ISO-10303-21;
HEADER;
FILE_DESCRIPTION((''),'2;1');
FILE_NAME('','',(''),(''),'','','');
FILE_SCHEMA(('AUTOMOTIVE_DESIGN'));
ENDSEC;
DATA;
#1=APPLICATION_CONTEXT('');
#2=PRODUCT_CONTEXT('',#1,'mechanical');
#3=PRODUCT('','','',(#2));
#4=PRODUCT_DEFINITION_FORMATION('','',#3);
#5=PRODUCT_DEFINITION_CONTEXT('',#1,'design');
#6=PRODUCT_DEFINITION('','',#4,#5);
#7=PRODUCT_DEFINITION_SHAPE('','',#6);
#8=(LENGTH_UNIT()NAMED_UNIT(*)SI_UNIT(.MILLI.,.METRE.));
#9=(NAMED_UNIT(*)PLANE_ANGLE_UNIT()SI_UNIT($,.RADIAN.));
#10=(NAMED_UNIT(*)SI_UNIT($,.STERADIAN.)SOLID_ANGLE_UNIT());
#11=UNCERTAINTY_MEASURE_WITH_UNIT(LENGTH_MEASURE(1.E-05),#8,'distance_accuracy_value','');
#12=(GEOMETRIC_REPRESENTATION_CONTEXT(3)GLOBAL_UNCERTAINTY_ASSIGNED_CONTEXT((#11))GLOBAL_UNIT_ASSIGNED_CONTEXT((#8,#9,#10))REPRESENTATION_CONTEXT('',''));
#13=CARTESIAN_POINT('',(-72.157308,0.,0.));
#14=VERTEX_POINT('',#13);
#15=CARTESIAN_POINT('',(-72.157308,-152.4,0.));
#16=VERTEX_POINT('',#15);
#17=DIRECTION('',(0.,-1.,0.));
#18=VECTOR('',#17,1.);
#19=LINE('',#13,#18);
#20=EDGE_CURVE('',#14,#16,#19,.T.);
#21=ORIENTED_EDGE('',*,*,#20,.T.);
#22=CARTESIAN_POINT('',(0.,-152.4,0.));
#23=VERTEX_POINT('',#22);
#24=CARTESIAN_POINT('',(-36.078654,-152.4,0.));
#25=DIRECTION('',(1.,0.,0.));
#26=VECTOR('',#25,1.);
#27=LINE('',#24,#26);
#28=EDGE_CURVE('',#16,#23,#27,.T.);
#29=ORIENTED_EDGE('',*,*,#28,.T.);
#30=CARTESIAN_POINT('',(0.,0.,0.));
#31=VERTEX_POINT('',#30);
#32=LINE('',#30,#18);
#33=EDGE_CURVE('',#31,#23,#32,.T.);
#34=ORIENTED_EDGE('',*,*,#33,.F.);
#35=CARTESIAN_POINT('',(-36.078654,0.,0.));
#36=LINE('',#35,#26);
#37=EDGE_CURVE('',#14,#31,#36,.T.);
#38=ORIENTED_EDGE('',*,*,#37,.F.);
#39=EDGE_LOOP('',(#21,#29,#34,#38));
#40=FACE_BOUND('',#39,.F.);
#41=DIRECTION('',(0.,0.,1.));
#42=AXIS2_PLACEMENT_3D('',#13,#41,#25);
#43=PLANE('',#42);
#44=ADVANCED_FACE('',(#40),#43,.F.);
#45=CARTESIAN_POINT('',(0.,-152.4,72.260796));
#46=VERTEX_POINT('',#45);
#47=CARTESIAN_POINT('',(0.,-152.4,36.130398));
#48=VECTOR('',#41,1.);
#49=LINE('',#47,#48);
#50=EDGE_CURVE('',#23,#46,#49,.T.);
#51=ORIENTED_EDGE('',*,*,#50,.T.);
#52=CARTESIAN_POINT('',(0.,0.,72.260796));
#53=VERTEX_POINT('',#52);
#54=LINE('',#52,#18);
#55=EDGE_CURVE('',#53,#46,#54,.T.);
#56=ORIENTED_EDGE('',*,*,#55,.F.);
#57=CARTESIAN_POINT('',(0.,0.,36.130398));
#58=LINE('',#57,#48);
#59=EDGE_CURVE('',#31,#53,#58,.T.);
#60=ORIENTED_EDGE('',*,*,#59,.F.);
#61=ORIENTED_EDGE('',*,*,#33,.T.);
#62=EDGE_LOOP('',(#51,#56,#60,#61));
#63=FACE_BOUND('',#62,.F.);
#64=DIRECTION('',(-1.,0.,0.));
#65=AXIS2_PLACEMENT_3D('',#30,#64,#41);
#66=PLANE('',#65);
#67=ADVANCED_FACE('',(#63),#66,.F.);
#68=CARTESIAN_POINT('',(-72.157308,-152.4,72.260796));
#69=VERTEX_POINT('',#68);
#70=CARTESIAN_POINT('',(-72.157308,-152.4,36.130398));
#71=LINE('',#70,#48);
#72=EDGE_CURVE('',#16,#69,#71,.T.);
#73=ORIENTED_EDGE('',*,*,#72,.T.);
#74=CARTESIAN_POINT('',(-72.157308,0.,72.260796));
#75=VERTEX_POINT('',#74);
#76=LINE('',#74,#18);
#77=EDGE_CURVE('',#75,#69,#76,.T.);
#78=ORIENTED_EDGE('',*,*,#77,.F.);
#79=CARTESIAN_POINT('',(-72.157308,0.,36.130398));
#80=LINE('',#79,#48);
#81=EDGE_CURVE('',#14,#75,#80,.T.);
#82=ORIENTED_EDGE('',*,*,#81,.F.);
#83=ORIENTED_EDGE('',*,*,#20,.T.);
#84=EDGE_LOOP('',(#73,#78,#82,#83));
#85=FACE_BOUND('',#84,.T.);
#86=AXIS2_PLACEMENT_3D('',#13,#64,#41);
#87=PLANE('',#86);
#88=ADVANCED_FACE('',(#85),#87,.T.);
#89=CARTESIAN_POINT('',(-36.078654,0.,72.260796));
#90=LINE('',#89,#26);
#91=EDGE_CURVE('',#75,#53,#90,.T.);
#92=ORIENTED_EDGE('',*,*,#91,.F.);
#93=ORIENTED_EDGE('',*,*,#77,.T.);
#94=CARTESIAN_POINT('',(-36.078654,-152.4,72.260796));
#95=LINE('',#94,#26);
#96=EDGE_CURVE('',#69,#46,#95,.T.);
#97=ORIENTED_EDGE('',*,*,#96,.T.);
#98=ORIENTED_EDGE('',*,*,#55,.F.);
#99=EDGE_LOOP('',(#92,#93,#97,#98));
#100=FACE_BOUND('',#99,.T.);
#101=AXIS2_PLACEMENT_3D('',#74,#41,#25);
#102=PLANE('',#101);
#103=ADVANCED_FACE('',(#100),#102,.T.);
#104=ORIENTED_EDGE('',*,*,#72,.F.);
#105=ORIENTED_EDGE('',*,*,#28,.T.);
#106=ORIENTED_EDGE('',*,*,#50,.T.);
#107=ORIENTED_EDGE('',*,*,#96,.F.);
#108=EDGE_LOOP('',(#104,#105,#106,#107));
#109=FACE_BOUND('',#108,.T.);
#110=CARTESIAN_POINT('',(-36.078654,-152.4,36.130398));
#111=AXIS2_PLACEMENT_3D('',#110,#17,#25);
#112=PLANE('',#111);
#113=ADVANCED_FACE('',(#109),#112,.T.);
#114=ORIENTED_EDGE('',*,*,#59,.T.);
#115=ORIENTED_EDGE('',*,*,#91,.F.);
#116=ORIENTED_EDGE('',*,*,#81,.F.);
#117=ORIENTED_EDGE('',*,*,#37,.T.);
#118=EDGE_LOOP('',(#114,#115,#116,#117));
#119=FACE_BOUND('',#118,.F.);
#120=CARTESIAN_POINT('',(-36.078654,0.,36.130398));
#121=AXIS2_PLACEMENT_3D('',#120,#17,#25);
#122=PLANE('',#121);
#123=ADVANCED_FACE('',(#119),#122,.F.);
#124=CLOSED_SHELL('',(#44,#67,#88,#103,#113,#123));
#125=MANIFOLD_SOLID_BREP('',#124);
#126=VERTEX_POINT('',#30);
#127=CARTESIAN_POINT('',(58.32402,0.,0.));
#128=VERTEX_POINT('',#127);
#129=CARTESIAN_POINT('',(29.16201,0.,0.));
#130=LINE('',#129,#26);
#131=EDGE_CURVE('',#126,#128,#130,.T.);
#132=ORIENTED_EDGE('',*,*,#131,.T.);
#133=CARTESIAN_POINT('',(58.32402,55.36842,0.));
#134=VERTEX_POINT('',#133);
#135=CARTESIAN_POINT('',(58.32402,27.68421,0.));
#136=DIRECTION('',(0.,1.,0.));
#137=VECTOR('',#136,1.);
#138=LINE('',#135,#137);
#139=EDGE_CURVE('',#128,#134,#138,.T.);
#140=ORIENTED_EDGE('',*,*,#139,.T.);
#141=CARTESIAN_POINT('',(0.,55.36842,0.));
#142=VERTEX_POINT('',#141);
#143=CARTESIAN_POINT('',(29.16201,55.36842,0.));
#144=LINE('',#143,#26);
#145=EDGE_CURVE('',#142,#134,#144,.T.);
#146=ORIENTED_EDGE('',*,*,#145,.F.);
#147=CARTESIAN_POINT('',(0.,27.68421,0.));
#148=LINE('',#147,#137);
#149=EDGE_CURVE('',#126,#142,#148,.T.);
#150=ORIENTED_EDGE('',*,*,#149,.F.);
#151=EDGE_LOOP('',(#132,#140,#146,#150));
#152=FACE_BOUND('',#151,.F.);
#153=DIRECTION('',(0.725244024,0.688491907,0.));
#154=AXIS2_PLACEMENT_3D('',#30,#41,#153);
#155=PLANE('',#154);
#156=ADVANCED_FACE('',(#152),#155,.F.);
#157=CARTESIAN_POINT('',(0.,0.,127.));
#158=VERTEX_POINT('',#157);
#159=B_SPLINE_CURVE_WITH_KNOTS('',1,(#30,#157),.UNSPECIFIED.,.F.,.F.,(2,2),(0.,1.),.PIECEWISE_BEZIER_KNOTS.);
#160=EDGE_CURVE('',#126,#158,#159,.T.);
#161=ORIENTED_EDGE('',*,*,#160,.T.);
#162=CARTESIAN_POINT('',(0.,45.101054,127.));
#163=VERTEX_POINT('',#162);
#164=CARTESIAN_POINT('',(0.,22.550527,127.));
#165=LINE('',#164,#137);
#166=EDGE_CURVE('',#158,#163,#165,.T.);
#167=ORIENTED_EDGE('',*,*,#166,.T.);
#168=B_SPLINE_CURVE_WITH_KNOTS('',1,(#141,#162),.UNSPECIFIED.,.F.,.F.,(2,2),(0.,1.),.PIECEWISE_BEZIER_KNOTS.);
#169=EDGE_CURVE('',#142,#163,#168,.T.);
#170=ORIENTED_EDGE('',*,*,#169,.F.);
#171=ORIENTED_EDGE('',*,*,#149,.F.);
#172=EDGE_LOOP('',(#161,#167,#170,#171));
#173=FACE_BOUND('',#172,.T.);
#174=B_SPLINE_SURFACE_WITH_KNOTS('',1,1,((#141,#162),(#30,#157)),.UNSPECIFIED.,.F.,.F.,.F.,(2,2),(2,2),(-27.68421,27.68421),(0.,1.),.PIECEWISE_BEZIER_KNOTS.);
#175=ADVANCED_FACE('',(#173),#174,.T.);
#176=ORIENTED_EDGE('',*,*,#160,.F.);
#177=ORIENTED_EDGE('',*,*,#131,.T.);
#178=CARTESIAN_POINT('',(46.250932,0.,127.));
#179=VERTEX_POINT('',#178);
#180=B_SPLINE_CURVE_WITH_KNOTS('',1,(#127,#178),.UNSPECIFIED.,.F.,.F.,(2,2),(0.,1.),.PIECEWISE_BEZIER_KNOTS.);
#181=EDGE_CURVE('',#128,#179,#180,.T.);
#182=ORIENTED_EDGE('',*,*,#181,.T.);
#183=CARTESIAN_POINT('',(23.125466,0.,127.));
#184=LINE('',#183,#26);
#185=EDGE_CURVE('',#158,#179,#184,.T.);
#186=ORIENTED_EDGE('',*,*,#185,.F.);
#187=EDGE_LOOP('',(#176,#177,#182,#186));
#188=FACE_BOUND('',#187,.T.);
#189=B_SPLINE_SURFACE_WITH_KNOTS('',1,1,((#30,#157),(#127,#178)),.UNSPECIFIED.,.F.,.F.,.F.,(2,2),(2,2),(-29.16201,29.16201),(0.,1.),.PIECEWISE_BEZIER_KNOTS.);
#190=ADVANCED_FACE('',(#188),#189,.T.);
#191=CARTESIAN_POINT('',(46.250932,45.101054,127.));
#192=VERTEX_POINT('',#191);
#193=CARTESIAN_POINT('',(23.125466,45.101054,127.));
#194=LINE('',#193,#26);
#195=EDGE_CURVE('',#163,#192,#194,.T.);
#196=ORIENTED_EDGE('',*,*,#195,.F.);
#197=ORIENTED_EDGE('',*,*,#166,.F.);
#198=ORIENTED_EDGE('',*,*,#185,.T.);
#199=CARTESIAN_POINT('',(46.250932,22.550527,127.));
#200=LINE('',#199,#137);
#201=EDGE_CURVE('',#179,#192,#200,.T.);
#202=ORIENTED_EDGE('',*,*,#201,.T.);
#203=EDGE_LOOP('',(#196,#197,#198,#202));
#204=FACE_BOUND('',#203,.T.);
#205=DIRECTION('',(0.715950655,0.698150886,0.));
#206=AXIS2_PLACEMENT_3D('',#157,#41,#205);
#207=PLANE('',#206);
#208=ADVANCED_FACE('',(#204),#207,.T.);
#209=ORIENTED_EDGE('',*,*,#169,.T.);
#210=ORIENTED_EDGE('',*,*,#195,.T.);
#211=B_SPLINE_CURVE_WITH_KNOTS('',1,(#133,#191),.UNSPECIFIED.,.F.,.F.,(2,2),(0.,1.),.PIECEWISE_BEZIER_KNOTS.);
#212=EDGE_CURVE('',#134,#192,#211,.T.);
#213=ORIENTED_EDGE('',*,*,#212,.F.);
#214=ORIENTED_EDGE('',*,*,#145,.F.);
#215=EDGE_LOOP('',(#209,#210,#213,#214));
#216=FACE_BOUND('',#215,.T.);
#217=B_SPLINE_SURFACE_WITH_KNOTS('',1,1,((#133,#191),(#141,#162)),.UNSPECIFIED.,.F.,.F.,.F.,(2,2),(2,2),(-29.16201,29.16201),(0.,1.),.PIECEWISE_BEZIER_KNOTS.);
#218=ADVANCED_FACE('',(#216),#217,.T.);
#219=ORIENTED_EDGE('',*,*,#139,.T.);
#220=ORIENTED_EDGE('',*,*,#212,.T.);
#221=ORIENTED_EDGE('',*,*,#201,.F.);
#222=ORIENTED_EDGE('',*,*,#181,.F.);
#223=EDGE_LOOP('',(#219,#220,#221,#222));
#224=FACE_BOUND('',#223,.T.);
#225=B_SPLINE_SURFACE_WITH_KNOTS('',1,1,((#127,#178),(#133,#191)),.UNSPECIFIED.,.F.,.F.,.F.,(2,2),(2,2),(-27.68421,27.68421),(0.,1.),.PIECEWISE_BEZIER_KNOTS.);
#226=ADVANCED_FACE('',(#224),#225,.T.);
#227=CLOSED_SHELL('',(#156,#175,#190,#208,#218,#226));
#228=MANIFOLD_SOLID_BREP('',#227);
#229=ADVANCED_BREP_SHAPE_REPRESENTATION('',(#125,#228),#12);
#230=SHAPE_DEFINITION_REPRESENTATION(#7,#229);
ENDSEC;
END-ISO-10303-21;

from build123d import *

# Parameters (mm, degrees)
F0_W     = 58.32402
F0_H     = 55.36842
F2_W     = 46.250932
F2_H     = 45.101054
F4_W     = 72.157308
F4_H     = 72.260797
F5_DEPTH = 152.4


with BuildPart() as f3:
    # F0 (on Top) → F3 section 0
    with BuildSketch(Plane.XY):
        with Locations((29.16201, 27.68421)):
            Rectangle(F0_W, F0_H)
    # F2 (on offset) → F3 section 1
    with BuildSketch(Plane.XY.offset(127)):
        with Locations((23.125466, 22.550527)):
            Rectangle(F2_W, F2_H)
    loft()


with BuildPart() as f5:
    # F4 (on Front) → F5 (new body)
    with BuildSketch(Plane.XZ):
        with Locations((-36.078654, 36.130398)):
            Rectangle(F4_W, F4_H)
    extrude(amount=F5_DEPTH)


solid = Compound([f3.part, f5.part])
